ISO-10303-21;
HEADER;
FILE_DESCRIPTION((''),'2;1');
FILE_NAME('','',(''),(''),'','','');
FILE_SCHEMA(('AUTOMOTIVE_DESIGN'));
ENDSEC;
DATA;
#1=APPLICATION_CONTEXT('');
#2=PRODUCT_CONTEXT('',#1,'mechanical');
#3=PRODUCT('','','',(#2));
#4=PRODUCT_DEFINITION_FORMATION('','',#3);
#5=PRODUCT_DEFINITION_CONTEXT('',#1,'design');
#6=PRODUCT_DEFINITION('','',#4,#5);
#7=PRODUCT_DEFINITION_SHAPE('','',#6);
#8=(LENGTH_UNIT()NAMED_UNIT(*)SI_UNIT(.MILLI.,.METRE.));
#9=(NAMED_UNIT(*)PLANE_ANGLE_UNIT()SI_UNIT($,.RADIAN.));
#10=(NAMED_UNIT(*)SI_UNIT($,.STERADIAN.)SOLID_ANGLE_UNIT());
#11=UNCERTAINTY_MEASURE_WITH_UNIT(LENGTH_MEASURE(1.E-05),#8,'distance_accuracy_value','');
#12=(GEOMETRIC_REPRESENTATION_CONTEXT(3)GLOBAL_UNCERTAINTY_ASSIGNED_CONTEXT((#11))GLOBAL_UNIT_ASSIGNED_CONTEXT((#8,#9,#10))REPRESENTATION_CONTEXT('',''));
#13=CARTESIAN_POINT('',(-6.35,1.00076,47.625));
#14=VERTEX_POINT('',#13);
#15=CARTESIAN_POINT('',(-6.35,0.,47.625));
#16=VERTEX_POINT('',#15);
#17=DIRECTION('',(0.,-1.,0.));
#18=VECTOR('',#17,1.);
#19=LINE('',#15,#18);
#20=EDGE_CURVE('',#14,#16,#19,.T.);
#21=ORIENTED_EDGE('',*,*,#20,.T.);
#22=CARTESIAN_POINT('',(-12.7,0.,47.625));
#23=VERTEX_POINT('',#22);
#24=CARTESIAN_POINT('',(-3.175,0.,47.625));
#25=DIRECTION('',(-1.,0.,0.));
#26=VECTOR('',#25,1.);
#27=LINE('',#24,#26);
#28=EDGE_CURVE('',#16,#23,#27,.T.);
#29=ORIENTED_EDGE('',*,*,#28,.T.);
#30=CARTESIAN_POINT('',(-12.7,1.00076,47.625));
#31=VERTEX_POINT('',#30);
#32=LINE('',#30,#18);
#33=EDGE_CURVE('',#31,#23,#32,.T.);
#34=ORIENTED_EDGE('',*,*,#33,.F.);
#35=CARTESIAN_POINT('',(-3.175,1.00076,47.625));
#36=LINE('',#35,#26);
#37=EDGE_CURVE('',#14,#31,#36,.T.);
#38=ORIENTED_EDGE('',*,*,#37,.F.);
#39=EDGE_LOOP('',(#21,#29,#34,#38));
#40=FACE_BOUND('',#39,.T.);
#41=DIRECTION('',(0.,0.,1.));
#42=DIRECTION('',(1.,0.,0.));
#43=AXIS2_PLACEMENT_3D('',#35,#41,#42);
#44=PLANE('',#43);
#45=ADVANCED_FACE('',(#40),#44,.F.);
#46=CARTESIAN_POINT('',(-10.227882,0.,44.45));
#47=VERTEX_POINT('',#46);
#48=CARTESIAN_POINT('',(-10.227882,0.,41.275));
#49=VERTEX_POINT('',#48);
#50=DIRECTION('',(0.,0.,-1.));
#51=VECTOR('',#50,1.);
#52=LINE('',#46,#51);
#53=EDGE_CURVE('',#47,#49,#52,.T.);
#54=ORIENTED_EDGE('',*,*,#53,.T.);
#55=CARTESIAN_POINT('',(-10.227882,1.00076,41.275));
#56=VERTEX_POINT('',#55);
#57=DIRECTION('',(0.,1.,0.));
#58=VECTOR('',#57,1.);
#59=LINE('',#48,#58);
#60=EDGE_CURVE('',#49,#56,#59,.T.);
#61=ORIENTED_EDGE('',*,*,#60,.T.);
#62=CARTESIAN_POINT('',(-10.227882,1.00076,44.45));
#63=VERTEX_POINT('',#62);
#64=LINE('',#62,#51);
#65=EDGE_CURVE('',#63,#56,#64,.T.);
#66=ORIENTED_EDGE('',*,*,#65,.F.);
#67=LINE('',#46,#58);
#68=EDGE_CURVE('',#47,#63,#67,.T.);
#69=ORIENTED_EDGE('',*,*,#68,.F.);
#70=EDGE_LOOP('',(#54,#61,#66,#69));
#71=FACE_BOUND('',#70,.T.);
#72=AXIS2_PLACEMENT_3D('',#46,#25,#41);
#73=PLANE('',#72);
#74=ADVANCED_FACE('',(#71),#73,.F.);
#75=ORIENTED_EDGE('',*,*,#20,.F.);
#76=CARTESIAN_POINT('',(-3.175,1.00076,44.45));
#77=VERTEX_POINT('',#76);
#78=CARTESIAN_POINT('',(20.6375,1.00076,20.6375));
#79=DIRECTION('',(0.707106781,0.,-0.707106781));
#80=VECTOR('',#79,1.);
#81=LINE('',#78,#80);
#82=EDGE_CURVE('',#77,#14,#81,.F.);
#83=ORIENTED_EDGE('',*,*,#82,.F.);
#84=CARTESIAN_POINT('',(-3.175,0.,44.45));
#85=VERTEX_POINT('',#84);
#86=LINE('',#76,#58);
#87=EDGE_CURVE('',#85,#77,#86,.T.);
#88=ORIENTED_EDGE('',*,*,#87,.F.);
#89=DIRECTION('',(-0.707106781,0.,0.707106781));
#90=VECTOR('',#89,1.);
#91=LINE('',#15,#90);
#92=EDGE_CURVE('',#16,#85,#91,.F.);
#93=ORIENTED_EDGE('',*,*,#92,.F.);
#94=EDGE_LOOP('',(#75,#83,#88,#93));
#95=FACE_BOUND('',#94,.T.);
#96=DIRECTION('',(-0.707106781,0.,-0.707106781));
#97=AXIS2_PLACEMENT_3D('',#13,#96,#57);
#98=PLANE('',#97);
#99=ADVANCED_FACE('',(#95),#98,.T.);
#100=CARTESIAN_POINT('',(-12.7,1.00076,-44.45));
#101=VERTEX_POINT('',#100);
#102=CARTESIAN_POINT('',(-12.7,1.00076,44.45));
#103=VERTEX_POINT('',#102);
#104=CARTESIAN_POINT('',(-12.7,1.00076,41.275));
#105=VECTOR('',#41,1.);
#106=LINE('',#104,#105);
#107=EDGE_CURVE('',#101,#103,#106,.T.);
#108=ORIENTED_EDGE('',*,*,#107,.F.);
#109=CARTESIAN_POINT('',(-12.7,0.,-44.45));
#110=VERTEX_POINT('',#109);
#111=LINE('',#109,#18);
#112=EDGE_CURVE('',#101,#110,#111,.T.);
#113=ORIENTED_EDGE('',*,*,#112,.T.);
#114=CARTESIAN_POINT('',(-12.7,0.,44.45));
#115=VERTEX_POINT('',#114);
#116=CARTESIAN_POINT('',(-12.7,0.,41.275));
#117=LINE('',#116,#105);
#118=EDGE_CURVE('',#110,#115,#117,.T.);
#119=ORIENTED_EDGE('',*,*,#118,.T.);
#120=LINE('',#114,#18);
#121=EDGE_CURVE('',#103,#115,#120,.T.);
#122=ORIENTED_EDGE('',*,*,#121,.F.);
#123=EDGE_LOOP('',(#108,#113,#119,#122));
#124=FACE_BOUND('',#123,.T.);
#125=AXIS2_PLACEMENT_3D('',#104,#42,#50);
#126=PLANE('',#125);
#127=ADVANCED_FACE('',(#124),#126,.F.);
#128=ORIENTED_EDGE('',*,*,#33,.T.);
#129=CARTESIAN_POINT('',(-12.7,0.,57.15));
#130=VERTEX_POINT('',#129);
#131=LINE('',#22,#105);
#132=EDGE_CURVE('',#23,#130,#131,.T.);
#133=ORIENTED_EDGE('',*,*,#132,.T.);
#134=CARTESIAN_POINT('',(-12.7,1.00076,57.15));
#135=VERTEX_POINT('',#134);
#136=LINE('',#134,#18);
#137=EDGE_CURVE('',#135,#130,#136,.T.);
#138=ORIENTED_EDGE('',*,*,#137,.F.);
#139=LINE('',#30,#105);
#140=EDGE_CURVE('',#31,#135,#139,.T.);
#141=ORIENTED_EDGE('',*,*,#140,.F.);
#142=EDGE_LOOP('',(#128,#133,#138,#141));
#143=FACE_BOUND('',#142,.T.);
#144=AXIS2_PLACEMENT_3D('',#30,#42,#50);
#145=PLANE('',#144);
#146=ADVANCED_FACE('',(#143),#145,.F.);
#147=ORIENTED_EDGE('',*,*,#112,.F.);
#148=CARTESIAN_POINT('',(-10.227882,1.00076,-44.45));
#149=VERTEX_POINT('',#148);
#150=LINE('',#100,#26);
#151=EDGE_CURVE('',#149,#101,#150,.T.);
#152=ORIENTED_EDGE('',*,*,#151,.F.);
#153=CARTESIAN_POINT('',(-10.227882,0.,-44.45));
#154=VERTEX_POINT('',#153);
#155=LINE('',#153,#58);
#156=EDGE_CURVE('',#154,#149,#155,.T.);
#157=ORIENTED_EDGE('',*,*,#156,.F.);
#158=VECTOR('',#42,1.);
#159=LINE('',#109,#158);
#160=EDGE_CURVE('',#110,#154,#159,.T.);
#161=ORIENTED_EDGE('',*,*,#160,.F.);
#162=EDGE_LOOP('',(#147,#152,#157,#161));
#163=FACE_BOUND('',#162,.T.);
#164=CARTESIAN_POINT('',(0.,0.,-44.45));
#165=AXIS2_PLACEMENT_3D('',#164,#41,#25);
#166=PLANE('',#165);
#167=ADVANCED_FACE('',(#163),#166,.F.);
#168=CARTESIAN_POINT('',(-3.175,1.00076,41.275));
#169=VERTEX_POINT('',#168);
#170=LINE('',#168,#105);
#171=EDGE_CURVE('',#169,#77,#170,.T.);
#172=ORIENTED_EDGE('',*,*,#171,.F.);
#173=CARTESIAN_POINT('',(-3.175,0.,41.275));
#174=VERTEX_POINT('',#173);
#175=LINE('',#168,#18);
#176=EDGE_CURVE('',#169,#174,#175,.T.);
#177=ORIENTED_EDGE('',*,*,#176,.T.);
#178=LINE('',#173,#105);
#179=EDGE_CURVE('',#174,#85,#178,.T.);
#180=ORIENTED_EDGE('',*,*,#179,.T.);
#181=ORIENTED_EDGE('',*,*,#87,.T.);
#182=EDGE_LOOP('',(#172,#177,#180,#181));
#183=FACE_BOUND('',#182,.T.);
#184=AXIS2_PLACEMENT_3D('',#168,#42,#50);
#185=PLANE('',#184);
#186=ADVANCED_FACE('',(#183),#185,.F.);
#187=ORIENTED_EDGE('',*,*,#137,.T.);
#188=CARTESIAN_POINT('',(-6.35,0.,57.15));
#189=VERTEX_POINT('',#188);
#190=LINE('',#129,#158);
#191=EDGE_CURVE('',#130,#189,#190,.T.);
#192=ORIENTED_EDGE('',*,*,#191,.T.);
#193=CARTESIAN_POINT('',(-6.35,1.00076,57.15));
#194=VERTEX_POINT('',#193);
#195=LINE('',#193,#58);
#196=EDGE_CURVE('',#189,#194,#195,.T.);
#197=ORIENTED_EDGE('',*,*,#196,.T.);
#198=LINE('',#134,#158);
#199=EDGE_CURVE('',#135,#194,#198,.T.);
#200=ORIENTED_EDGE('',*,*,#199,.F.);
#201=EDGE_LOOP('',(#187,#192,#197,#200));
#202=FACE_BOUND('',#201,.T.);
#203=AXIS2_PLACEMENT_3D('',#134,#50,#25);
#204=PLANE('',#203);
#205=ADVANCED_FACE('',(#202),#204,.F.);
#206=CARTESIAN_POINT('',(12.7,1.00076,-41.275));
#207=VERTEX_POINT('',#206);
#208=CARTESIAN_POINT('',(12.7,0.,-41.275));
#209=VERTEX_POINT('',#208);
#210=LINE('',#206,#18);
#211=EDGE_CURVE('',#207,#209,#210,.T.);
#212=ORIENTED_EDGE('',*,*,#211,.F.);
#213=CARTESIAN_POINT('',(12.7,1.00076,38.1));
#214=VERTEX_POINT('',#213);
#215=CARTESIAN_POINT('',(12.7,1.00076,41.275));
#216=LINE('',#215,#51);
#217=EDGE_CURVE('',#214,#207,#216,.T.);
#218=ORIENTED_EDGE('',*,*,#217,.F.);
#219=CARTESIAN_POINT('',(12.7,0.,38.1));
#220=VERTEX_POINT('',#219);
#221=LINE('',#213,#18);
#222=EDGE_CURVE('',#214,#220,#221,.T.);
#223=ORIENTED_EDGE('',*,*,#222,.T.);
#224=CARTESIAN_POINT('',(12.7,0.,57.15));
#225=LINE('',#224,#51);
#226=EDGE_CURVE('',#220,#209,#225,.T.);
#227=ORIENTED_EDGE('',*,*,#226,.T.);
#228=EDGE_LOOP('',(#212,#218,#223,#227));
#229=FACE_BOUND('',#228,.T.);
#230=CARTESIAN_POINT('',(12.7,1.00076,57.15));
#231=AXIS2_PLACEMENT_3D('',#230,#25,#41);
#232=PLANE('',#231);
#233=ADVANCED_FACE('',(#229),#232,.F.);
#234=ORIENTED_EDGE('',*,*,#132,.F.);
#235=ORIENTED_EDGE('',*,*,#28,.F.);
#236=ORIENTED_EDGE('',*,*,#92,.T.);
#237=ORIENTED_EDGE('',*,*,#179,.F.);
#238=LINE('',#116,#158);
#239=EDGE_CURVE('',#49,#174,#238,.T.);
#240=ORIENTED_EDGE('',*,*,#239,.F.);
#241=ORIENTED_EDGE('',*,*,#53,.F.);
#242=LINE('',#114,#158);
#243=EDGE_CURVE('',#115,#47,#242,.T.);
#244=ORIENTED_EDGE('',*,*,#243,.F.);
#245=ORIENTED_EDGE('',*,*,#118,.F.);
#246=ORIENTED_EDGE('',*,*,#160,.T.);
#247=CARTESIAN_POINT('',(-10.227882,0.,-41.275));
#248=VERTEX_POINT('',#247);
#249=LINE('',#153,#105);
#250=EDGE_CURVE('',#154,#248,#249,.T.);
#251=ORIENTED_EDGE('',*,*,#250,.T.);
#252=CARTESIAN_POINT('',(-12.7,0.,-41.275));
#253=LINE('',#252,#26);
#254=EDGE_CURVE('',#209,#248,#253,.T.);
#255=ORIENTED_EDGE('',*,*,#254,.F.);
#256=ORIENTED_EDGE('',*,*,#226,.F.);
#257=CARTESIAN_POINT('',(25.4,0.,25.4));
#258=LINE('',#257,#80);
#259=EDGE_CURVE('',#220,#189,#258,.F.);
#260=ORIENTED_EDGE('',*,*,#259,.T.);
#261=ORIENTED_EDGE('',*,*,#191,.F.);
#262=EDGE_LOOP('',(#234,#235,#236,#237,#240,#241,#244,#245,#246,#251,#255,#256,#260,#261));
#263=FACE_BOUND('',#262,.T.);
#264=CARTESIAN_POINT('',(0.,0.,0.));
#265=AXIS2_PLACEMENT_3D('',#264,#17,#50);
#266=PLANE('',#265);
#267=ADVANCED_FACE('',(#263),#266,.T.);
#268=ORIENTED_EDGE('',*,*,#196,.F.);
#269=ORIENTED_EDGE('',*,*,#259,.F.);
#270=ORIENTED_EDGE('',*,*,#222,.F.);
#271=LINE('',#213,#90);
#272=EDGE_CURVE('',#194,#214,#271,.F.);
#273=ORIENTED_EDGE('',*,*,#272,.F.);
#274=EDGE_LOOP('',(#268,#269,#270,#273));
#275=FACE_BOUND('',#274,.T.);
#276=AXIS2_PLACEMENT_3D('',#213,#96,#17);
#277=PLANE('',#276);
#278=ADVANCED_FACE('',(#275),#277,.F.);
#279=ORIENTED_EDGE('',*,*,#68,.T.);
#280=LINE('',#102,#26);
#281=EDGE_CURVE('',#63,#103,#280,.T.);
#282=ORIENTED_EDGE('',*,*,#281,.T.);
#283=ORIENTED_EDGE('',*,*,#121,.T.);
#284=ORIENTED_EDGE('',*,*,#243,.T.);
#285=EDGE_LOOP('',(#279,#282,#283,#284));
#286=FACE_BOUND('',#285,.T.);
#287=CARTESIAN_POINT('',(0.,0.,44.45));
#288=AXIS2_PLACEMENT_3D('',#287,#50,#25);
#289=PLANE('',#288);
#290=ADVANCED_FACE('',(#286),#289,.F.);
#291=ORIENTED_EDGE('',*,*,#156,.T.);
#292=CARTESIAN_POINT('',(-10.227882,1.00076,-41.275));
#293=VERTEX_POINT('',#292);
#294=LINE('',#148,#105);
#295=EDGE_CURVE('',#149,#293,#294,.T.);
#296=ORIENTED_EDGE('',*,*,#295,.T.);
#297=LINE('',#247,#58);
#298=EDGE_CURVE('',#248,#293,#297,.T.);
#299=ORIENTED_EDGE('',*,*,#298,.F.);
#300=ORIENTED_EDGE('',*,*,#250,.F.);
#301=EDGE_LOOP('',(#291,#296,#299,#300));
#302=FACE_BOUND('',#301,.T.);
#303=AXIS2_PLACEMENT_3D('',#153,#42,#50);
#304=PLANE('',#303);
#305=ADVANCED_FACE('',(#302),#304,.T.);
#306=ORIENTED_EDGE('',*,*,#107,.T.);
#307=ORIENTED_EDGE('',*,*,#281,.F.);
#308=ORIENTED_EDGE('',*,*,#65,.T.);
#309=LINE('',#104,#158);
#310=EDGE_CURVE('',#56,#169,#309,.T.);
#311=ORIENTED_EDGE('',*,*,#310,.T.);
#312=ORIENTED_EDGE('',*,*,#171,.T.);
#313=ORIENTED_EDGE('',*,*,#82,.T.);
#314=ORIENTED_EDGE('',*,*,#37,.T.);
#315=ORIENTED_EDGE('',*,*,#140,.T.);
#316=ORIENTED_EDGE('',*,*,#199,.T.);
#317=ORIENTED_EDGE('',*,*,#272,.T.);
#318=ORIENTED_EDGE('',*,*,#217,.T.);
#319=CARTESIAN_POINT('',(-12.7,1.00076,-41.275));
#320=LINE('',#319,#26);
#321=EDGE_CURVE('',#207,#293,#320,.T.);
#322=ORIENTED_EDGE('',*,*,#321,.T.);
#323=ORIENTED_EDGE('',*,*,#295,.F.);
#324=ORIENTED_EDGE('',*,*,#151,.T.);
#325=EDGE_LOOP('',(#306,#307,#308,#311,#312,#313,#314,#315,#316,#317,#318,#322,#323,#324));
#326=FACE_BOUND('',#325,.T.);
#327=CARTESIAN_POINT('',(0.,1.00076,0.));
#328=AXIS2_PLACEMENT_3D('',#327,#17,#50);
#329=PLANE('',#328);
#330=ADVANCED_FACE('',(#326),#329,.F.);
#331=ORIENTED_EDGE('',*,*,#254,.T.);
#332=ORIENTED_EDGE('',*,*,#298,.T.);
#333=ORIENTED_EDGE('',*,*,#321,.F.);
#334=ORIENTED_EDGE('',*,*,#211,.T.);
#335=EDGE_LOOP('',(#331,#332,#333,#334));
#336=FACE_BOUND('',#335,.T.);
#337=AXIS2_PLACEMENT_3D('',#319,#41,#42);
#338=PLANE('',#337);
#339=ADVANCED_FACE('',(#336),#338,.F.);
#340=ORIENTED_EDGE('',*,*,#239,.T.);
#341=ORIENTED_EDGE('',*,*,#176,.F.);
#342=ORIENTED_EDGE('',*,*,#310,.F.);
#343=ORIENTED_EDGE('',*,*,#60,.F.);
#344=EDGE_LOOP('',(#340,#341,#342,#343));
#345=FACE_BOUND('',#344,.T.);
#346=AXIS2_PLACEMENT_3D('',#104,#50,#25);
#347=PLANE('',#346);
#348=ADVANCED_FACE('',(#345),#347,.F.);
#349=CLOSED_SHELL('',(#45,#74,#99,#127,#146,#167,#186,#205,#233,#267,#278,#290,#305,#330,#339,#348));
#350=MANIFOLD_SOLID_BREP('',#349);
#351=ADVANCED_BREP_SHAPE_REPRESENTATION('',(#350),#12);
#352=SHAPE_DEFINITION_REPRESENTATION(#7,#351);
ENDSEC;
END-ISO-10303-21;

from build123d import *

# Parameters (mm, degrees)
BOSS_EXTRUDE1_DEPTH = 1.00076
SKETCH2_W           = 2.472118206
SKETCH2_H           = 1.00076
BOSS_EXTRUDE2_DEPTH = 3.175
CHAMFER2_SIZE       = 19.05
CHAMFER3_SIZE       = 3.175


with BuildPart() as part:
    # Sketch1 → Boss-Extrude1 (new body)
    with BuildSketch(Plane(origin=(0, 0, 0), x_dir=(1, 0, 0), z_dir=(0, 1, 0))):
        Polygon((-3.175, -41.275), (-3.175, -47.625), (-12.7, -47.625), (-12.7, -57.15), (12.7, -57.15), (12.7, -41.275), (12.7, 41.275), (-12.7, 41.275), (-12.7, -41.275), align=None)
    extrude(amount=BOSS_EXTRUDE1_DEPTH)

    # Sketch2 → Boss-Extrude2 (add)
    with BuildSketch(Plane.XY.offset(41.275)):
        with Locations((-11.463940897, 0.50038)):
            Rectangle(SKETCH2_W, SKETCH2_H)
    boss_extrude2 = extrude(amount=BOSS_EXTRUDE2_DEPTH)

    # Mirror1: Boss-Extrude2 across plane
    add(boss_extrude2.mirror(Plane.XY))

    # Chamfer2
    chamfer2_edges = [part.edges().sort_by_distance(p)[0] for p in [
        (12.7, 0.50038, 57.15),
    ]]
    chamfer(chamfer2_edges, length=CHAMFER2_SIZE)

    # Chamfer3
    chamfer3_edges = [part.edges().sort_by_distance(p)[0] for p in [
        (-3.175, 0.50038, 47.625),
    ]]
    chamfer(chamfer3_edges, length=CHAMFER3_SIZE)


solid = part.part
